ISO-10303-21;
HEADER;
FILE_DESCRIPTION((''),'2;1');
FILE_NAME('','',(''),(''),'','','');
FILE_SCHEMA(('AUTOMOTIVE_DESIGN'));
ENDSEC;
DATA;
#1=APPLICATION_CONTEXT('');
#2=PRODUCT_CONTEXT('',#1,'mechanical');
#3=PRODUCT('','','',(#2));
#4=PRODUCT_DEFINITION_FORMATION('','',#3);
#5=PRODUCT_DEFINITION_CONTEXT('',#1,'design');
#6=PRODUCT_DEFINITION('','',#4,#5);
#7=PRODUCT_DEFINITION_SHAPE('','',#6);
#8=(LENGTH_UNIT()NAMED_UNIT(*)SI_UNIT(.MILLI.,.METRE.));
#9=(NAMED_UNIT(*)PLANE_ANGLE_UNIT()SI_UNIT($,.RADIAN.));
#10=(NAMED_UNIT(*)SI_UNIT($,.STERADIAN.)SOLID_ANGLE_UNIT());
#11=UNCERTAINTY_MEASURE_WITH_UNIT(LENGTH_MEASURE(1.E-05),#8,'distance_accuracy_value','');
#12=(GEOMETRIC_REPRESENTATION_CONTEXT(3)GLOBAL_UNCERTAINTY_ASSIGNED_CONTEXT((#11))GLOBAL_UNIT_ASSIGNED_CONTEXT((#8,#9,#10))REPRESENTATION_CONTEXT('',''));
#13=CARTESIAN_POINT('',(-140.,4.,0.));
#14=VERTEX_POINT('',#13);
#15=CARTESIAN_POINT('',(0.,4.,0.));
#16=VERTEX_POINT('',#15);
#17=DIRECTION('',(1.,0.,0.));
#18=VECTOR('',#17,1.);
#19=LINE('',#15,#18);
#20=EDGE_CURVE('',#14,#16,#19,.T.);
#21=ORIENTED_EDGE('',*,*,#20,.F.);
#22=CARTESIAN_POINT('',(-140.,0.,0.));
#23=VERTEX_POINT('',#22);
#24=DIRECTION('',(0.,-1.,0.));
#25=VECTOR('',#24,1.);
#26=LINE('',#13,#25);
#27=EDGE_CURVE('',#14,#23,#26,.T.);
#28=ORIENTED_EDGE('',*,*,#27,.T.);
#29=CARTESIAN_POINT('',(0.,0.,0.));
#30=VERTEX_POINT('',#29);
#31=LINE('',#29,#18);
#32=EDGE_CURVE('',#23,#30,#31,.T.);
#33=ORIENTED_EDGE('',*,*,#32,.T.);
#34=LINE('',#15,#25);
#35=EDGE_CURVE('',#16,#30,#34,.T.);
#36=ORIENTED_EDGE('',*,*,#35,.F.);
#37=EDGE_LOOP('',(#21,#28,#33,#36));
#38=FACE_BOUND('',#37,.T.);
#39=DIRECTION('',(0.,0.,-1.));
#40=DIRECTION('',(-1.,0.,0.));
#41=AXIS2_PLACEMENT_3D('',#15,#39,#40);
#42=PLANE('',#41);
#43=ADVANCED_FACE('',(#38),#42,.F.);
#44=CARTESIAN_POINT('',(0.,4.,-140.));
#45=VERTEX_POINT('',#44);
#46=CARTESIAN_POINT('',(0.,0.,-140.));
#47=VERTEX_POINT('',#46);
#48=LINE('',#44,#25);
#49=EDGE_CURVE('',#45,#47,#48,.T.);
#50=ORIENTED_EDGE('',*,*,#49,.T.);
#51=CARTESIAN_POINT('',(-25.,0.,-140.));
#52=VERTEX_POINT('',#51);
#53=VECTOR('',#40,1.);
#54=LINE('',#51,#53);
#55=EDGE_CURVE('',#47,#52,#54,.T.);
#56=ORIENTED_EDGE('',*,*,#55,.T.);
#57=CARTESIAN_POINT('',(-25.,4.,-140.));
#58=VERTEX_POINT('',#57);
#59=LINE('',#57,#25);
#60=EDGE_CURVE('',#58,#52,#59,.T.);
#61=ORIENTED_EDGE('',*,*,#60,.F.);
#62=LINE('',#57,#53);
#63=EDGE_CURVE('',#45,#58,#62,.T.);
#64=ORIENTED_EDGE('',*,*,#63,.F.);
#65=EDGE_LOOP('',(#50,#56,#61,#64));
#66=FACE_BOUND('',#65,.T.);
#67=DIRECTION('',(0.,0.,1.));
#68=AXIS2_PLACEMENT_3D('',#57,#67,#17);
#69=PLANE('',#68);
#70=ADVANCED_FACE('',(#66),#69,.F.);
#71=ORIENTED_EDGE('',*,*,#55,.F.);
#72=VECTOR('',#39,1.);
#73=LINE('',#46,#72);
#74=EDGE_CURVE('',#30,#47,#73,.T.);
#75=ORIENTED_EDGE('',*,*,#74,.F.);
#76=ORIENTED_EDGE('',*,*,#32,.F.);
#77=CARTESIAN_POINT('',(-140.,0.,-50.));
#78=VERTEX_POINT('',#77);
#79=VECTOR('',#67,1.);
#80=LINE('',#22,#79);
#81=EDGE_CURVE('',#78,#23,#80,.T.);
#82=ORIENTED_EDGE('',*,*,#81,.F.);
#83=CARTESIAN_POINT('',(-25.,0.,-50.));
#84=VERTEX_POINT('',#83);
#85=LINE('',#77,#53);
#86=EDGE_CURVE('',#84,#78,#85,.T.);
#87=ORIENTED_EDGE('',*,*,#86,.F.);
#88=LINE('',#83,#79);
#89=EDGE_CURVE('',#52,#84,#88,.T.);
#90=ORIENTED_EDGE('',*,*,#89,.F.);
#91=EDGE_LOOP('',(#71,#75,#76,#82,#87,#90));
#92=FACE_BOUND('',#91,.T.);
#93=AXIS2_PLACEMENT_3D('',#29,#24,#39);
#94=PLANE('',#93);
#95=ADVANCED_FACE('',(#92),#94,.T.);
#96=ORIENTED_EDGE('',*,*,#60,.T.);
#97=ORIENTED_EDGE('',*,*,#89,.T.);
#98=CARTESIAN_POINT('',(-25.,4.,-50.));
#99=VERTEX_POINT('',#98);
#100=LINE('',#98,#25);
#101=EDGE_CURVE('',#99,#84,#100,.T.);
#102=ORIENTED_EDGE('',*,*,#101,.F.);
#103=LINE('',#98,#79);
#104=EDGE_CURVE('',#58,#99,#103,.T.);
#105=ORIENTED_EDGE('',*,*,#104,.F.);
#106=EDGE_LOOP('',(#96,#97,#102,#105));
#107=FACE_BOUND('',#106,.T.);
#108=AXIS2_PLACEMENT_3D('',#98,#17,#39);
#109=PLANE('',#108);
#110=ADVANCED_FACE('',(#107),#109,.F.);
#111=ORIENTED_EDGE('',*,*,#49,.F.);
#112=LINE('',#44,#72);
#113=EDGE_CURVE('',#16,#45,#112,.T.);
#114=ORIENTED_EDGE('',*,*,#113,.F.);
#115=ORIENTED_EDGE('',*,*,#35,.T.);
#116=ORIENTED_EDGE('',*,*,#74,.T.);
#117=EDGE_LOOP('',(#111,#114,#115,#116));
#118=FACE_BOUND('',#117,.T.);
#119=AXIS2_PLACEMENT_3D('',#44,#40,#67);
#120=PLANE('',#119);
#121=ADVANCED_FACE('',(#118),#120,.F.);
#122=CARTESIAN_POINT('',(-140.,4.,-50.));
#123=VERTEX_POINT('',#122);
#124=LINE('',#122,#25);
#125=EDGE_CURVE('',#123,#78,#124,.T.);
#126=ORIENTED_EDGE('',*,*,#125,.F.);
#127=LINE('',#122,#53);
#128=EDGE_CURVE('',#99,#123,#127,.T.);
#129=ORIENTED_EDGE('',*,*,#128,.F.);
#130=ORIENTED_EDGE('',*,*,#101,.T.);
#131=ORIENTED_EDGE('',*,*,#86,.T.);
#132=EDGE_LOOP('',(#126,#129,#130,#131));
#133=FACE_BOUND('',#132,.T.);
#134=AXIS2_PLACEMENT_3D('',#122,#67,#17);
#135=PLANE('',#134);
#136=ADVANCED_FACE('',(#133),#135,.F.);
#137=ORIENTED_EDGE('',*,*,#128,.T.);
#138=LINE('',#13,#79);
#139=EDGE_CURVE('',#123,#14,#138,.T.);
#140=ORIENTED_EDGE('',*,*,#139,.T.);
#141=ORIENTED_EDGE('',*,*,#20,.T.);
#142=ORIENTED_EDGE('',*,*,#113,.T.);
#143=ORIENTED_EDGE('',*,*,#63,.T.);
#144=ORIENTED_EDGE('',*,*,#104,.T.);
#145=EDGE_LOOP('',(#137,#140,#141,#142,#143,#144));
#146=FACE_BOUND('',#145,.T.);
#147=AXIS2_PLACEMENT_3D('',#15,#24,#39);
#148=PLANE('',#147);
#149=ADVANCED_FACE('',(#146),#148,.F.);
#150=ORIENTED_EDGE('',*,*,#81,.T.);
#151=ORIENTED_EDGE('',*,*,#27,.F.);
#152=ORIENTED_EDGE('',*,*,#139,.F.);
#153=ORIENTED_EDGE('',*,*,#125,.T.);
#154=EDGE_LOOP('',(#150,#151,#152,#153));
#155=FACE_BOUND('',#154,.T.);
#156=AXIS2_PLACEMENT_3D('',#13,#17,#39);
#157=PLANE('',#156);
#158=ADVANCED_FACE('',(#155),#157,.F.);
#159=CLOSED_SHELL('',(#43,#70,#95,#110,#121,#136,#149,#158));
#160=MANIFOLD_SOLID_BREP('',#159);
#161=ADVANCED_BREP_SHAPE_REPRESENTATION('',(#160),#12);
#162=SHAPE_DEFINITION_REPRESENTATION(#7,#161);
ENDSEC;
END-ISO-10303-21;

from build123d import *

# Parameters (mm, degrees)
BOSS_EXTRUDE1_DEPTH = 4


with BuildPart() as part:
    # Sketch1 → Boss-Extrude1 (new body)
    with BuildSketch(Plane(origin=(0, 0, 0), x_dir=(1, 0, 0), z_dir=(0, 1, 0))):
        Polygon((0, 0), (-140, 0), (-140, 50), (-25, 50), (-25, 140), (0, 140), align=None)
    extrude(amount=BOSS_EXTRUDE1_DEPTH)


solid = part.part
